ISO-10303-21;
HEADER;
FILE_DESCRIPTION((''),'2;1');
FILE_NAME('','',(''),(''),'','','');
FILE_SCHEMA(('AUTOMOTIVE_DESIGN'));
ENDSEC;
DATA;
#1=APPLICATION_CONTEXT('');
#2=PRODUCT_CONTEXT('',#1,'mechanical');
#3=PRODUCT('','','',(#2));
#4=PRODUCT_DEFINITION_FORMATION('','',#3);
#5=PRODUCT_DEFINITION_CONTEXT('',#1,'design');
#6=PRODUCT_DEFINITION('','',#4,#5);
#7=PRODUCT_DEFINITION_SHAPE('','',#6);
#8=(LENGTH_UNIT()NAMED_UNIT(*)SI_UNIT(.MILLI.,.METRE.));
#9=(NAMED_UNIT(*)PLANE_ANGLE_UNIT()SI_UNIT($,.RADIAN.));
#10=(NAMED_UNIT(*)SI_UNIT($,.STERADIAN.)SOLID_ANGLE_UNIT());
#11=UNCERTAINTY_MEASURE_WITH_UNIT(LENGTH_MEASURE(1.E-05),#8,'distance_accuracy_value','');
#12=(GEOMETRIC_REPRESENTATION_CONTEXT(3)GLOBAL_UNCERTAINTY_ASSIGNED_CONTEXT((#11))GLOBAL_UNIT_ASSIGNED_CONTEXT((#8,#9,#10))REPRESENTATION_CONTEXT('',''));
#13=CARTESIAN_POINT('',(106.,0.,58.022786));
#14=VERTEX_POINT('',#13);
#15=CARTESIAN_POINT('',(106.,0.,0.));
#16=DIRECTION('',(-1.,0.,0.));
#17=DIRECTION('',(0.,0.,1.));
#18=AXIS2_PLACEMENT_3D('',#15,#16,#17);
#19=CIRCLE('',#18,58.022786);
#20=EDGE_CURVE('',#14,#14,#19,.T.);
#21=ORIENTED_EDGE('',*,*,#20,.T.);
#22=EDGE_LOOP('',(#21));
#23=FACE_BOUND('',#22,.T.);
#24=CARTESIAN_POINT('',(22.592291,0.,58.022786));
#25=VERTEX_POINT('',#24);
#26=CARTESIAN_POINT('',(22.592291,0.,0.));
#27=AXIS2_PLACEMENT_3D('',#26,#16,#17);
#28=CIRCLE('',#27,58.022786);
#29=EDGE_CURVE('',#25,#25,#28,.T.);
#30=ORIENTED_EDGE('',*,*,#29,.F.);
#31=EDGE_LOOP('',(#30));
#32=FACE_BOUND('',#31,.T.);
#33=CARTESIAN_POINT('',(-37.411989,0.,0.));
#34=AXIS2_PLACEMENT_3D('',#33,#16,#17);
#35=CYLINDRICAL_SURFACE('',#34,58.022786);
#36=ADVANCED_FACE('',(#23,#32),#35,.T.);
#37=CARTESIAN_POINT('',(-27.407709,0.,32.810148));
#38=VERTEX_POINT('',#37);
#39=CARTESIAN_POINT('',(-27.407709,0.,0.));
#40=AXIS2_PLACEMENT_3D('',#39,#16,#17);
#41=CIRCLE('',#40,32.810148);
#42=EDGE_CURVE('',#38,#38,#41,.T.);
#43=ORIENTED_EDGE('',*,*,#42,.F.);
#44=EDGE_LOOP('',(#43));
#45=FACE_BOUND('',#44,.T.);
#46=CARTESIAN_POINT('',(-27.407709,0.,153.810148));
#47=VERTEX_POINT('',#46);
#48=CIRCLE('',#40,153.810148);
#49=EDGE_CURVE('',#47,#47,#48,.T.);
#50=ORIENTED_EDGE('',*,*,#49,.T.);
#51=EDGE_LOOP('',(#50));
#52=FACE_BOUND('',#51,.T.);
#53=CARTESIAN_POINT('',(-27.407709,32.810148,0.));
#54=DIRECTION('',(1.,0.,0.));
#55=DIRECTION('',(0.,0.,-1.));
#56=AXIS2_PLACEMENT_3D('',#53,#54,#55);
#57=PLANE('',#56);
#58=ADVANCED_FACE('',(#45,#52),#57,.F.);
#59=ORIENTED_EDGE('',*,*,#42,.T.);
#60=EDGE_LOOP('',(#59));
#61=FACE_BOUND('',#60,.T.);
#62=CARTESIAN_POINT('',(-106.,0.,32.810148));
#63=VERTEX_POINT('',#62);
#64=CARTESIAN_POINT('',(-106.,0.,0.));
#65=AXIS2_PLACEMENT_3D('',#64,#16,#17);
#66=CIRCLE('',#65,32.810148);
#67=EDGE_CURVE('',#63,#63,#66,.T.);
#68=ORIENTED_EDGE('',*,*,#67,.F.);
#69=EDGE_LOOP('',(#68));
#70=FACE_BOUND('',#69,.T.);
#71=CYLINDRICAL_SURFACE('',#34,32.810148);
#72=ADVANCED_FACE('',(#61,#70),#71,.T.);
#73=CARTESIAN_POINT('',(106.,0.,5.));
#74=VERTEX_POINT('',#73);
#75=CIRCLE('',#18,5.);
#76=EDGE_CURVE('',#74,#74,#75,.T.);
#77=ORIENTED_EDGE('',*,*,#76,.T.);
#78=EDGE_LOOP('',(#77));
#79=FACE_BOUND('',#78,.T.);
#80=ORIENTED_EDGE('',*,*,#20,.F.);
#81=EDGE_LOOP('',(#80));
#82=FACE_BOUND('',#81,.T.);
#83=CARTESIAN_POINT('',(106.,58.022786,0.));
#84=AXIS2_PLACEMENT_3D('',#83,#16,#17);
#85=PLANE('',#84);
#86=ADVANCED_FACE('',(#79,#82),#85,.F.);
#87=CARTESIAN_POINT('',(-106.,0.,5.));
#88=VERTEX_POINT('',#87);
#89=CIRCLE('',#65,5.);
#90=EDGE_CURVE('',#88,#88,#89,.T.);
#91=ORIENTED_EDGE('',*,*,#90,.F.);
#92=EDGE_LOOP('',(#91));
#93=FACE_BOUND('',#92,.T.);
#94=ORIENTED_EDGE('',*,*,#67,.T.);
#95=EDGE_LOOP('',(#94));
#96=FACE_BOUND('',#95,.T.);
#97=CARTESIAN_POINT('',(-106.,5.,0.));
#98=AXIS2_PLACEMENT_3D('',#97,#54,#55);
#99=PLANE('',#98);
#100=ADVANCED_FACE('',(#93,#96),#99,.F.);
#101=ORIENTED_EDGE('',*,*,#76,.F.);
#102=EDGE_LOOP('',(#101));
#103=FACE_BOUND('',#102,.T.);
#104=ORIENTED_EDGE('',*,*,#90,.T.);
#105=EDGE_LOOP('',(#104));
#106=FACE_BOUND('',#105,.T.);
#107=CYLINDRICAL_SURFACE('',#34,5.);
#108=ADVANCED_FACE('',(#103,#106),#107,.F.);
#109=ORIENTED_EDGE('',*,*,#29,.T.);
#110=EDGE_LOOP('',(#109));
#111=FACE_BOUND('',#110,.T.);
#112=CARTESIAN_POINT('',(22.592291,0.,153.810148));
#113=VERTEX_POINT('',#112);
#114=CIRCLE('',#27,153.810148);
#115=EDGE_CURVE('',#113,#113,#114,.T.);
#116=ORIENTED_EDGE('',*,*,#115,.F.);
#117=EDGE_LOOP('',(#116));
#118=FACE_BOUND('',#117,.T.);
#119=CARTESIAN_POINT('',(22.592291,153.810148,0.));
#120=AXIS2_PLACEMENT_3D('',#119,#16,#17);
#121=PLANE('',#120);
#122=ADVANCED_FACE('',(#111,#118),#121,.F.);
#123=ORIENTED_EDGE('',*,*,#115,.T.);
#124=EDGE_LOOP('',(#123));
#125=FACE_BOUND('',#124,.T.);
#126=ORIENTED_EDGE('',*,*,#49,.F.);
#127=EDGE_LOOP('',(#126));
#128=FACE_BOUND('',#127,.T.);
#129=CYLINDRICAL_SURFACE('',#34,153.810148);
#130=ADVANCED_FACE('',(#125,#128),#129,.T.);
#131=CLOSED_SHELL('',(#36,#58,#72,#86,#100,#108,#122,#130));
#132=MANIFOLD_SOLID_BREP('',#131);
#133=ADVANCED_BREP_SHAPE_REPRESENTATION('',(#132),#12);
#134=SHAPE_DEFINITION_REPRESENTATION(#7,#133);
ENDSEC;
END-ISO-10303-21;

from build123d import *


with BuildPart() as part:
    # Sketch1 → Revolve1 (revolve)
    with BuildSketch(Plane.XY, mode=Mode.PRIVATE) as revolve1_sk:
        Polygon((-106, 5), (-106, 32.810148198), (-27.407709249, 32.810148198), (-27.407709249, 153.810148198), (22.592290751, 153.810148198), (22.592290751, 58.022786047), (106, 58.022786047), (106, 5), align=None)
    revolve(revolve1_sk.sketch.rotate(Axis((-37.411989194, 0, 0), (1, 0, 0)), 90), axis=Axis((-37.411989194, 0, 0), (1, 0, 0)))


solid = part.part
